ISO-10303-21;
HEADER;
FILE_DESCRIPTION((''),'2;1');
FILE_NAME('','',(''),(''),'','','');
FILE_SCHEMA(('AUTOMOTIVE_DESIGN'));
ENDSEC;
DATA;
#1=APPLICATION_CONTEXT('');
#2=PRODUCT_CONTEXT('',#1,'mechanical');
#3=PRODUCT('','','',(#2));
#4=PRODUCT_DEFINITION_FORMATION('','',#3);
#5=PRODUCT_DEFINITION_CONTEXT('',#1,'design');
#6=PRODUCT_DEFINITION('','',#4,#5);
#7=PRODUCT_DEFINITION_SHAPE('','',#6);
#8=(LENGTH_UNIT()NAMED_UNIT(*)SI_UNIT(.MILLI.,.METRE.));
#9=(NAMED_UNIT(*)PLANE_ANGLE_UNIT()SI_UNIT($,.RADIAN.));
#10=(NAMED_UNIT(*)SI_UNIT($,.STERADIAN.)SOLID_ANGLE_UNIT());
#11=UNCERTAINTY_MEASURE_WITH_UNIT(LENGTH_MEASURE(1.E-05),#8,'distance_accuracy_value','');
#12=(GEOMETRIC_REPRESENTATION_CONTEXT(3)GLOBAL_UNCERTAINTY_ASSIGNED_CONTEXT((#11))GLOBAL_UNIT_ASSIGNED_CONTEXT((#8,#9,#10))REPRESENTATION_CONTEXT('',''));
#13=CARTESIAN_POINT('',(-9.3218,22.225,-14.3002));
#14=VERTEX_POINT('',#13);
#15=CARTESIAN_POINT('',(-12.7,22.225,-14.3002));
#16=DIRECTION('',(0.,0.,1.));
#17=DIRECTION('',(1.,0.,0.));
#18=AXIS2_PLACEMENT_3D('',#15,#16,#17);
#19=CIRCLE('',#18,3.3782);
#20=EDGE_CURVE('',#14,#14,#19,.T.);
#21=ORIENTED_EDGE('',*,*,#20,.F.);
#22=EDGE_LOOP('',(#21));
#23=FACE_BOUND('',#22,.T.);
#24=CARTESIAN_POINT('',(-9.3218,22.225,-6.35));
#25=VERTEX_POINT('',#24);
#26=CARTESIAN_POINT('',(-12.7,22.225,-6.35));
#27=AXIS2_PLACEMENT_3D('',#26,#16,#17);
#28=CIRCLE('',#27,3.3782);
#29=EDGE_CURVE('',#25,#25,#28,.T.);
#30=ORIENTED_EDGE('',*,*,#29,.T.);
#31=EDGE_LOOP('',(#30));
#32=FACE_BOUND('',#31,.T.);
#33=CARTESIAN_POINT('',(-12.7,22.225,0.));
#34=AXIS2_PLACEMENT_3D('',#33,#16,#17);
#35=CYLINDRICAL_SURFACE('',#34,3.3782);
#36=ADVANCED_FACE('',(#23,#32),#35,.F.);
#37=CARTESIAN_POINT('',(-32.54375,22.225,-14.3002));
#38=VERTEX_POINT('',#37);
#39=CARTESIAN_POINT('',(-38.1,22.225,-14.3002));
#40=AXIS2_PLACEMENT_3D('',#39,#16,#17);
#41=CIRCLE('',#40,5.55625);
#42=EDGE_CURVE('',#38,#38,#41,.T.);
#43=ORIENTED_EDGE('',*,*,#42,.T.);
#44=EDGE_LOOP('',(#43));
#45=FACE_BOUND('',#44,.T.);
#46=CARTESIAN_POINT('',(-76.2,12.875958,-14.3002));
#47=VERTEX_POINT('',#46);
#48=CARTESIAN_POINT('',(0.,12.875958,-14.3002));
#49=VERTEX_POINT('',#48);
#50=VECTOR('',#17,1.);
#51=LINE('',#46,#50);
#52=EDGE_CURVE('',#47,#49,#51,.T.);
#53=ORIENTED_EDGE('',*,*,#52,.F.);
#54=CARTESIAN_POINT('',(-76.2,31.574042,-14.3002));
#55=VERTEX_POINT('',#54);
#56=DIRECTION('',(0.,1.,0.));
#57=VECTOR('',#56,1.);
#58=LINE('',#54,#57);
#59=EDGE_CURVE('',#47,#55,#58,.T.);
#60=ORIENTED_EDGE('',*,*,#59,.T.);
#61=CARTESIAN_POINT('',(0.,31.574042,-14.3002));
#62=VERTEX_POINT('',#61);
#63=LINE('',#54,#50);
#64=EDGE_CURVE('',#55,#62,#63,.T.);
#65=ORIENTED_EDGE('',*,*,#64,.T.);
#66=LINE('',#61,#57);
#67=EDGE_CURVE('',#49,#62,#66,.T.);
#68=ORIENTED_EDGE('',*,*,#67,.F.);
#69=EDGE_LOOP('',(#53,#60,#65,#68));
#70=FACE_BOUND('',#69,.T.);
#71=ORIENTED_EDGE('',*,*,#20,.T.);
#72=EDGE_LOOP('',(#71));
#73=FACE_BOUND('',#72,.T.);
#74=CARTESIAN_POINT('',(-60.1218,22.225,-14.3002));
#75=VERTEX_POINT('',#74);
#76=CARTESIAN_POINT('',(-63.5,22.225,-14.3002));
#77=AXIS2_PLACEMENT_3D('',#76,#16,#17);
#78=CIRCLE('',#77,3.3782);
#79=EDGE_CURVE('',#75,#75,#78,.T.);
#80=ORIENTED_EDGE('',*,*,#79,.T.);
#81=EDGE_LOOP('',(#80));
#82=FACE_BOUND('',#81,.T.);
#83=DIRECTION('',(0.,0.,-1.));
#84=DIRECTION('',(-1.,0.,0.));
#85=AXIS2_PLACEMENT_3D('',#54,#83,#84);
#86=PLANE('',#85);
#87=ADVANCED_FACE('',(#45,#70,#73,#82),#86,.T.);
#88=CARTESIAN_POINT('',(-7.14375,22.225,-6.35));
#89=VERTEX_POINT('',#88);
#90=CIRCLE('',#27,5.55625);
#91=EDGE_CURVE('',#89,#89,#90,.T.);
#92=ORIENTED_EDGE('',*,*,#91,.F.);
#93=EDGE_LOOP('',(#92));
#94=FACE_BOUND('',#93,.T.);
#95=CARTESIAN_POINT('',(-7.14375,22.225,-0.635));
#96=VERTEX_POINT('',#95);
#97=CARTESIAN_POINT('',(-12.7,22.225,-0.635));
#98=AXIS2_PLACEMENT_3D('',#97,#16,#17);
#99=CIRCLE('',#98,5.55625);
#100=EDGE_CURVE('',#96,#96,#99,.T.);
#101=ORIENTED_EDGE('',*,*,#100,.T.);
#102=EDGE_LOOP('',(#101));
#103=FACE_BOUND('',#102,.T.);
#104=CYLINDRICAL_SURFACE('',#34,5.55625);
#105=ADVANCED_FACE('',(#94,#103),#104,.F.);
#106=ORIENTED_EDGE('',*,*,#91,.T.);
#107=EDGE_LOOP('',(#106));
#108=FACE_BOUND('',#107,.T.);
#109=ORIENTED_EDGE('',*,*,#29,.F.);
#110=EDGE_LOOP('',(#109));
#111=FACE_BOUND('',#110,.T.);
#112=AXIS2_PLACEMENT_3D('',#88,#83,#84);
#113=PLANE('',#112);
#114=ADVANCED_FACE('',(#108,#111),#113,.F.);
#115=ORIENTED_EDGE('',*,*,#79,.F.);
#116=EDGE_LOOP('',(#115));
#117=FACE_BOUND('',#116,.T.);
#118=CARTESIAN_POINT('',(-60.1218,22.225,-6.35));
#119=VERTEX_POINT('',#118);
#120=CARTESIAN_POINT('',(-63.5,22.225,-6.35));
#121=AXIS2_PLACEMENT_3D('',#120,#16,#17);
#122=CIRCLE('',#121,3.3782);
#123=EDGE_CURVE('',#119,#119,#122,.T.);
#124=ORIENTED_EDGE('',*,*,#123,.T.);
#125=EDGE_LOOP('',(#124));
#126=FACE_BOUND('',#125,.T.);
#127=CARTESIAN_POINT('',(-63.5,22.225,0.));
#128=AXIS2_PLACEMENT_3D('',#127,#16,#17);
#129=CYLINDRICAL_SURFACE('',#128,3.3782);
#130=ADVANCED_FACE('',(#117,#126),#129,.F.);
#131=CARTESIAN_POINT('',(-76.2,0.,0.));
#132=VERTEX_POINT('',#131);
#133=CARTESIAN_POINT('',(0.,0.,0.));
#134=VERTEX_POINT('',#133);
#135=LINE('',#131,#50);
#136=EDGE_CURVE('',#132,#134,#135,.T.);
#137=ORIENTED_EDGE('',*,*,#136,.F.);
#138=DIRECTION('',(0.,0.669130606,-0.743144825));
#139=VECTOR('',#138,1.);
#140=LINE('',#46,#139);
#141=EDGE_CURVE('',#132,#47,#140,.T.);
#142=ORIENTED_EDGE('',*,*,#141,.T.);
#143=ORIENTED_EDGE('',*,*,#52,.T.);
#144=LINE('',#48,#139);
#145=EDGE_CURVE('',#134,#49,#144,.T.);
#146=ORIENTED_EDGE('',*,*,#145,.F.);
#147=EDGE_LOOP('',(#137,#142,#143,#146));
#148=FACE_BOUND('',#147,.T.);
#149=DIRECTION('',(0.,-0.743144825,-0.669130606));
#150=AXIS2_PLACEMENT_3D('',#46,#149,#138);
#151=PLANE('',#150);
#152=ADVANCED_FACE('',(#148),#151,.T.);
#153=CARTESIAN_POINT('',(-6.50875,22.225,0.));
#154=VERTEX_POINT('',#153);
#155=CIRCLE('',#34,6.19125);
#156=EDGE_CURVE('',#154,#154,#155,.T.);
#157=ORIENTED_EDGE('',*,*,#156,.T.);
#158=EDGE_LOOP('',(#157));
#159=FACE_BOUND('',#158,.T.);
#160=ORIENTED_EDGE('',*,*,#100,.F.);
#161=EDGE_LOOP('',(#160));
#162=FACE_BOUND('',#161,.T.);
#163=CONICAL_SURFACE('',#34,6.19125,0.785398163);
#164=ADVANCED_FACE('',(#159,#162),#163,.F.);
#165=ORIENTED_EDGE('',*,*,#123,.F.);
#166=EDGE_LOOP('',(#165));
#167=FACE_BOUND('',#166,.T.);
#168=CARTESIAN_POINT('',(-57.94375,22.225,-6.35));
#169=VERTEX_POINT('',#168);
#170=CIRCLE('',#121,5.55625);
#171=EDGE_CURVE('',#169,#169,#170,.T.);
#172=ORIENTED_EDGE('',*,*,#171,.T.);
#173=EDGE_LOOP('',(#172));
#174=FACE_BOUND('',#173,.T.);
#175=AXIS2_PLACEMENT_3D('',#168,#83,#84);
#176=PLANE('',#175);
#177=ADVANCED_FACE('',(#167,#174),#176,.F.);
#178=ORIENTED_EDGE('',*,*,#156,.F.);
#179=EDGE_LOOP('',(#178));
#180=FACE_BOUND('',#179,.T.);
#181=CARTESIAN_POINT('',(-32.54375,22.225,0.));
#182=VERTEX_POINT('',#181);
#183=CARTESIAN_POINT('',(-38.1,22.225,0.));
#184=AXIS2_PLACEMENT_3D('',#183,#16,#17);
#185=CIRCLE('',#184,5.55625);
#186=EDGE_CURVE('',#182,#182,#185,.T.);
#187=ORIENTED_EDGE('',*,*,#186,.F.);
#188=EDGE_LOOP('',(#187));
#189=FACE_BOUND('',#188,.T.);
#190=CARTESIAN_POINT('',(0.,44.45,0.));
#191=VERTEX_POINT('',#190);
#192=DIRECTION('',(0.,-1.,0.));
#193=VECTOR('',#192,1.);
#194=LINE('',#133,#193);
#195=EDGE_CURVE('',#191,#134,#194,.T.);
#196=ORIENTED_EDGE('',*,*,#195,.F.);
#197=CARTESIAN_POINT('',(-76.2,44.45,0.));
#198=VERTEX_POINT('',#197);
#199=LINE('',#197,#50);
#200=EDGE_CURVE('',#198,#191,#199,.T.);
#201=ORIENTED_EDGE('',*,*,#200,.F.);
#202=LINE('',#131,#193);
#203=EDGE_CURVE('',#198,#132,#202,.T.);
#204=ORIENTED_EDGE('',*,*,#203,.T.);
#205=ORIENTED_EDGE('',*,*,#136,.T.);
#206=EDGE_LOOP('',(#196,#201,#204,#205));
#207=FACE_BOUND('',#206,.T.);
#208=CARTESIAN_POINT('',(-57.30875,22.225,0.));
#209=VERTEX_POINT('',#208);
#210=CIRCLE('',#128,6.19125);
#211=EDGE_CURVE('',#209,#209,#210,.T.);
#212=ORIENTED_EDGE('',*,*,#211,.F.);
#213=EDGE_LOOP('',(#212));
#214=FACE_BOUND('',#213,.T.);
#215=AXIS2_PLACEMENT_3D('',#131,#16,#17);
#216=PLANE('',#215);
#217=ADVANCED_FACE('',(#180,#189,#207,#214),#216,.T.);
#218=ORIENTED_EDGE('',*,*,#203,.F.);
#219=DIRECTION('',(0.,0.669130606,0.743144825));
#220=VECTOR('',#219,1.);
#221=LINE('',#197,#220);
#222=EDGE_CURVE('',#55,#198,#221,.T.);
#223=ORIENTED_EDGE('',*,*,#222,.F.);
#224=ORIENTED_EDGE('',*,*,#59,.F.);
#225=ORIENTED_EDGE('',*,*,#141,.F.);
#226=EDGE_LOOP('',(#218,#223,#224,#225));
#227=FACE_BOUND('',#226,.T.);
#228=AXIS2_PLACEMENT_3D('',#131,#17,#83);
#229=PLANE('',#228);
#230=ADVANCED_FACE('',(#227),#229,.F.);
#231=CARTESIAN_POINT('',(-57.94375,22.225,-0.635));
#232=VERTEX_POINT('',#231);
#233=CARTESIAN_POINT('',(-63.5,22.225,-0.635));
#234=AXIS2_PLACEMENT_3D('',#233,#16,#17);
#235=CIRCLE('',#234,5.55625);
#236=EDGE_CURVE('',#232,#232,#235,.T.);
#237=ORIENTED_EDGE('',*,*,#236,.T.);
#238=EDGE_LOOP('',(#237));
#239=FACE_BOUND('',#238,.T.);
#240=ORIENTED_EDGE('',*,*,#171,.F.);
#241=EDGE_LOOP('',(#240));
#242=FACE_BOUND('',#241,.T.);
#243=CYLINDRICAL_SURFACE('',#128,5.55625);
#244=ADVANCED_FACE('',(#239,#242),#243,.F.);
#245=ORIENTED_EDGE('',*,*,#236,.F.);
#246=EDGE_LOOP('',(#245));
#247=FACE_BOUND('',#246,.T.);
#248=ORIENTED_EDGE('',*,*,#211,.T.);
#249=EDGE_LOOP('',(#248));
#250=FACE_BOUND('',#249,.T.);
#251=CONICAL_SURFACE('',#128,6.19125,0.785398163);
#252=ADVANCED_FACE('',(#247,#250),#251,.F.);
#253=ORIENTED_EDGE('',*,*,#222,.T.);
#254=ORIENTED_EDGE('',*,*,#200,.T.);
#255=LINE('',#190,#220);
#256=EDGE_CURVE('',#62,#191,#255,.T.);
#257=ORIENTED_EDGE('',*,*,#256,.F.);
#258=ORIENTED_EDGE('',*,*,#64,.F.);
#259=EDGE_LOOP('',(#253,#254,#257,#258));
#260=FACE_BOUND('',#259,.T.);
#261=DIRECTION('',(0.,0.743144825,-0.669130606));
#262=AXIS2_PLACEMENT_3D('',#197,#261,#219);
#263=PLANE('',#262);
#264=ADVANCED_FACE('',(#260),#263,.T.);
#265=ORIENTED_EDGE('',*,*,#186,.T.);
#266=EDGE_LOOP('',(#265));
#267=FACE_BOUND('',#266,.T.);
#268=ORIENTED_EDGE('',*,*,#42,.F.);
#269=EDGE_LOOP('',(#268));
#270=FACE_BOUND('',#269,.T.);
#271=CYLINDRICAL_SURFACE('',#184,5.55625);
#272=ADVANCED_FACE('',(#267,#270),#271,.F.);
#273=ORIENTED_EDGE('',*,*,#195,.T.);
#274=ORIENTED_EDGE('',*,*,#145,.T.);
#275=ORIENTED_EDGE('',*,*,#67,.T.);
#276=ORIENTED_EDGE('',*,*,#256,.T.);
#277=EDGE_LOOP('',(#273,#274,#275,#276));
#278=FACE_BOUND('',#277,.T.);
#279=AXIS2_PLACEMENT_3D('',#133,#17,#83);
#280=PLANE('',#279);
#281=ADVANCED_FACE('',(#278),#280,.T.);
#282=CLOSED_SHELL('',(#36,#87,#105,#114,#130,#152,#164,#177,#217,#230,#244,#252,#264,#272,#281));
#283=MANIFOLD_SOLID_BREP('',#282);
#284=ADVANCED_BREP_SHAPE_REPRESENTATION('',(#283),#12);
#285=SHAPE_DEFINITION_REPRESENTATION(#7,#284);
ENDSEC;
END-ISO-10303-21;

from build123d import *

# Parameters (mm, degrees)
BOSS_EXTRUDE1_DEPTH                           = 76.2
CBORE_FOR_1_4_SOCKET_HEAD_CAP_SCREW1_AT_COUNT = 2
CBORE_FOR_1_4_SOCKET_HEAD_CAP_SCREW1_AT_PITCH = 50.8
F_7_16_0_4375_DIAMETER_HOLE1_D                = 11.1125


with BuildPart() as part:
    # Sketch2 → Boss-Extrude1 (new body)
    with BuildSketch(Plane(origin=(0, 0, 0), x_dir=(0, 0, -1), z_dir=(1, 0, 0))):
        Polygon((0, 0), (0, 44.45), (14.3002, 31.574042086), (14.3002, 12.875957914), align=None)
    extrude(amount=-BOSS_EXTRUDE1_DEPTH)

    # Sketch3 → CBORE for 1/4 Socket Head Cap Screw1 (revolve, cut)
    with BuildSketch(Plane(origin=(-63.5, 22.225, 0), x_dir=(0, -1, 0), z_dir=(1, 0, 0))):
        Polygon((0, 0), (0, 14.3002), (3.3782, 14.3002), (3.3782, 6.35), (5.55625, 6.35), (5.55625, 0.635), (6.19125, 0), align=None)
    cbore_for_1_4_socket_head_cap_screw1 = revolve(axis=Axis((-63.5, 22.225, 6.35), (0, 0, -1)), mode=Mode.SUBTRACT)

    # CBORE for 1/4 Socket Head Cap Screw1 at: CBORE for 1/4 Socket Head Cap Screw1 ×2
    with Locations(*[(i * CBORE_FOR_1_4_SOCKET_HEAD_CAP_SCREW1_AT_PITCH, 0, 0) for i in range(1, CBORE_FOR_1_4_SOCKET_HEAD_CAP_SCREW1_AT_COUNT)]):
        add(cbore_for_1_4_socket_head_cap_screw1, mode=Mode.SUBTRACT)

    # 7/16 (0.4375) Diameter Hole1 (through all)
    with Locations(Plane.XY):
        with Locations((-38.1, 22.225)):
            Hole(F_7_16_0_4375_DIAMETER_HOLE1_D / 2)


solid = part.part
